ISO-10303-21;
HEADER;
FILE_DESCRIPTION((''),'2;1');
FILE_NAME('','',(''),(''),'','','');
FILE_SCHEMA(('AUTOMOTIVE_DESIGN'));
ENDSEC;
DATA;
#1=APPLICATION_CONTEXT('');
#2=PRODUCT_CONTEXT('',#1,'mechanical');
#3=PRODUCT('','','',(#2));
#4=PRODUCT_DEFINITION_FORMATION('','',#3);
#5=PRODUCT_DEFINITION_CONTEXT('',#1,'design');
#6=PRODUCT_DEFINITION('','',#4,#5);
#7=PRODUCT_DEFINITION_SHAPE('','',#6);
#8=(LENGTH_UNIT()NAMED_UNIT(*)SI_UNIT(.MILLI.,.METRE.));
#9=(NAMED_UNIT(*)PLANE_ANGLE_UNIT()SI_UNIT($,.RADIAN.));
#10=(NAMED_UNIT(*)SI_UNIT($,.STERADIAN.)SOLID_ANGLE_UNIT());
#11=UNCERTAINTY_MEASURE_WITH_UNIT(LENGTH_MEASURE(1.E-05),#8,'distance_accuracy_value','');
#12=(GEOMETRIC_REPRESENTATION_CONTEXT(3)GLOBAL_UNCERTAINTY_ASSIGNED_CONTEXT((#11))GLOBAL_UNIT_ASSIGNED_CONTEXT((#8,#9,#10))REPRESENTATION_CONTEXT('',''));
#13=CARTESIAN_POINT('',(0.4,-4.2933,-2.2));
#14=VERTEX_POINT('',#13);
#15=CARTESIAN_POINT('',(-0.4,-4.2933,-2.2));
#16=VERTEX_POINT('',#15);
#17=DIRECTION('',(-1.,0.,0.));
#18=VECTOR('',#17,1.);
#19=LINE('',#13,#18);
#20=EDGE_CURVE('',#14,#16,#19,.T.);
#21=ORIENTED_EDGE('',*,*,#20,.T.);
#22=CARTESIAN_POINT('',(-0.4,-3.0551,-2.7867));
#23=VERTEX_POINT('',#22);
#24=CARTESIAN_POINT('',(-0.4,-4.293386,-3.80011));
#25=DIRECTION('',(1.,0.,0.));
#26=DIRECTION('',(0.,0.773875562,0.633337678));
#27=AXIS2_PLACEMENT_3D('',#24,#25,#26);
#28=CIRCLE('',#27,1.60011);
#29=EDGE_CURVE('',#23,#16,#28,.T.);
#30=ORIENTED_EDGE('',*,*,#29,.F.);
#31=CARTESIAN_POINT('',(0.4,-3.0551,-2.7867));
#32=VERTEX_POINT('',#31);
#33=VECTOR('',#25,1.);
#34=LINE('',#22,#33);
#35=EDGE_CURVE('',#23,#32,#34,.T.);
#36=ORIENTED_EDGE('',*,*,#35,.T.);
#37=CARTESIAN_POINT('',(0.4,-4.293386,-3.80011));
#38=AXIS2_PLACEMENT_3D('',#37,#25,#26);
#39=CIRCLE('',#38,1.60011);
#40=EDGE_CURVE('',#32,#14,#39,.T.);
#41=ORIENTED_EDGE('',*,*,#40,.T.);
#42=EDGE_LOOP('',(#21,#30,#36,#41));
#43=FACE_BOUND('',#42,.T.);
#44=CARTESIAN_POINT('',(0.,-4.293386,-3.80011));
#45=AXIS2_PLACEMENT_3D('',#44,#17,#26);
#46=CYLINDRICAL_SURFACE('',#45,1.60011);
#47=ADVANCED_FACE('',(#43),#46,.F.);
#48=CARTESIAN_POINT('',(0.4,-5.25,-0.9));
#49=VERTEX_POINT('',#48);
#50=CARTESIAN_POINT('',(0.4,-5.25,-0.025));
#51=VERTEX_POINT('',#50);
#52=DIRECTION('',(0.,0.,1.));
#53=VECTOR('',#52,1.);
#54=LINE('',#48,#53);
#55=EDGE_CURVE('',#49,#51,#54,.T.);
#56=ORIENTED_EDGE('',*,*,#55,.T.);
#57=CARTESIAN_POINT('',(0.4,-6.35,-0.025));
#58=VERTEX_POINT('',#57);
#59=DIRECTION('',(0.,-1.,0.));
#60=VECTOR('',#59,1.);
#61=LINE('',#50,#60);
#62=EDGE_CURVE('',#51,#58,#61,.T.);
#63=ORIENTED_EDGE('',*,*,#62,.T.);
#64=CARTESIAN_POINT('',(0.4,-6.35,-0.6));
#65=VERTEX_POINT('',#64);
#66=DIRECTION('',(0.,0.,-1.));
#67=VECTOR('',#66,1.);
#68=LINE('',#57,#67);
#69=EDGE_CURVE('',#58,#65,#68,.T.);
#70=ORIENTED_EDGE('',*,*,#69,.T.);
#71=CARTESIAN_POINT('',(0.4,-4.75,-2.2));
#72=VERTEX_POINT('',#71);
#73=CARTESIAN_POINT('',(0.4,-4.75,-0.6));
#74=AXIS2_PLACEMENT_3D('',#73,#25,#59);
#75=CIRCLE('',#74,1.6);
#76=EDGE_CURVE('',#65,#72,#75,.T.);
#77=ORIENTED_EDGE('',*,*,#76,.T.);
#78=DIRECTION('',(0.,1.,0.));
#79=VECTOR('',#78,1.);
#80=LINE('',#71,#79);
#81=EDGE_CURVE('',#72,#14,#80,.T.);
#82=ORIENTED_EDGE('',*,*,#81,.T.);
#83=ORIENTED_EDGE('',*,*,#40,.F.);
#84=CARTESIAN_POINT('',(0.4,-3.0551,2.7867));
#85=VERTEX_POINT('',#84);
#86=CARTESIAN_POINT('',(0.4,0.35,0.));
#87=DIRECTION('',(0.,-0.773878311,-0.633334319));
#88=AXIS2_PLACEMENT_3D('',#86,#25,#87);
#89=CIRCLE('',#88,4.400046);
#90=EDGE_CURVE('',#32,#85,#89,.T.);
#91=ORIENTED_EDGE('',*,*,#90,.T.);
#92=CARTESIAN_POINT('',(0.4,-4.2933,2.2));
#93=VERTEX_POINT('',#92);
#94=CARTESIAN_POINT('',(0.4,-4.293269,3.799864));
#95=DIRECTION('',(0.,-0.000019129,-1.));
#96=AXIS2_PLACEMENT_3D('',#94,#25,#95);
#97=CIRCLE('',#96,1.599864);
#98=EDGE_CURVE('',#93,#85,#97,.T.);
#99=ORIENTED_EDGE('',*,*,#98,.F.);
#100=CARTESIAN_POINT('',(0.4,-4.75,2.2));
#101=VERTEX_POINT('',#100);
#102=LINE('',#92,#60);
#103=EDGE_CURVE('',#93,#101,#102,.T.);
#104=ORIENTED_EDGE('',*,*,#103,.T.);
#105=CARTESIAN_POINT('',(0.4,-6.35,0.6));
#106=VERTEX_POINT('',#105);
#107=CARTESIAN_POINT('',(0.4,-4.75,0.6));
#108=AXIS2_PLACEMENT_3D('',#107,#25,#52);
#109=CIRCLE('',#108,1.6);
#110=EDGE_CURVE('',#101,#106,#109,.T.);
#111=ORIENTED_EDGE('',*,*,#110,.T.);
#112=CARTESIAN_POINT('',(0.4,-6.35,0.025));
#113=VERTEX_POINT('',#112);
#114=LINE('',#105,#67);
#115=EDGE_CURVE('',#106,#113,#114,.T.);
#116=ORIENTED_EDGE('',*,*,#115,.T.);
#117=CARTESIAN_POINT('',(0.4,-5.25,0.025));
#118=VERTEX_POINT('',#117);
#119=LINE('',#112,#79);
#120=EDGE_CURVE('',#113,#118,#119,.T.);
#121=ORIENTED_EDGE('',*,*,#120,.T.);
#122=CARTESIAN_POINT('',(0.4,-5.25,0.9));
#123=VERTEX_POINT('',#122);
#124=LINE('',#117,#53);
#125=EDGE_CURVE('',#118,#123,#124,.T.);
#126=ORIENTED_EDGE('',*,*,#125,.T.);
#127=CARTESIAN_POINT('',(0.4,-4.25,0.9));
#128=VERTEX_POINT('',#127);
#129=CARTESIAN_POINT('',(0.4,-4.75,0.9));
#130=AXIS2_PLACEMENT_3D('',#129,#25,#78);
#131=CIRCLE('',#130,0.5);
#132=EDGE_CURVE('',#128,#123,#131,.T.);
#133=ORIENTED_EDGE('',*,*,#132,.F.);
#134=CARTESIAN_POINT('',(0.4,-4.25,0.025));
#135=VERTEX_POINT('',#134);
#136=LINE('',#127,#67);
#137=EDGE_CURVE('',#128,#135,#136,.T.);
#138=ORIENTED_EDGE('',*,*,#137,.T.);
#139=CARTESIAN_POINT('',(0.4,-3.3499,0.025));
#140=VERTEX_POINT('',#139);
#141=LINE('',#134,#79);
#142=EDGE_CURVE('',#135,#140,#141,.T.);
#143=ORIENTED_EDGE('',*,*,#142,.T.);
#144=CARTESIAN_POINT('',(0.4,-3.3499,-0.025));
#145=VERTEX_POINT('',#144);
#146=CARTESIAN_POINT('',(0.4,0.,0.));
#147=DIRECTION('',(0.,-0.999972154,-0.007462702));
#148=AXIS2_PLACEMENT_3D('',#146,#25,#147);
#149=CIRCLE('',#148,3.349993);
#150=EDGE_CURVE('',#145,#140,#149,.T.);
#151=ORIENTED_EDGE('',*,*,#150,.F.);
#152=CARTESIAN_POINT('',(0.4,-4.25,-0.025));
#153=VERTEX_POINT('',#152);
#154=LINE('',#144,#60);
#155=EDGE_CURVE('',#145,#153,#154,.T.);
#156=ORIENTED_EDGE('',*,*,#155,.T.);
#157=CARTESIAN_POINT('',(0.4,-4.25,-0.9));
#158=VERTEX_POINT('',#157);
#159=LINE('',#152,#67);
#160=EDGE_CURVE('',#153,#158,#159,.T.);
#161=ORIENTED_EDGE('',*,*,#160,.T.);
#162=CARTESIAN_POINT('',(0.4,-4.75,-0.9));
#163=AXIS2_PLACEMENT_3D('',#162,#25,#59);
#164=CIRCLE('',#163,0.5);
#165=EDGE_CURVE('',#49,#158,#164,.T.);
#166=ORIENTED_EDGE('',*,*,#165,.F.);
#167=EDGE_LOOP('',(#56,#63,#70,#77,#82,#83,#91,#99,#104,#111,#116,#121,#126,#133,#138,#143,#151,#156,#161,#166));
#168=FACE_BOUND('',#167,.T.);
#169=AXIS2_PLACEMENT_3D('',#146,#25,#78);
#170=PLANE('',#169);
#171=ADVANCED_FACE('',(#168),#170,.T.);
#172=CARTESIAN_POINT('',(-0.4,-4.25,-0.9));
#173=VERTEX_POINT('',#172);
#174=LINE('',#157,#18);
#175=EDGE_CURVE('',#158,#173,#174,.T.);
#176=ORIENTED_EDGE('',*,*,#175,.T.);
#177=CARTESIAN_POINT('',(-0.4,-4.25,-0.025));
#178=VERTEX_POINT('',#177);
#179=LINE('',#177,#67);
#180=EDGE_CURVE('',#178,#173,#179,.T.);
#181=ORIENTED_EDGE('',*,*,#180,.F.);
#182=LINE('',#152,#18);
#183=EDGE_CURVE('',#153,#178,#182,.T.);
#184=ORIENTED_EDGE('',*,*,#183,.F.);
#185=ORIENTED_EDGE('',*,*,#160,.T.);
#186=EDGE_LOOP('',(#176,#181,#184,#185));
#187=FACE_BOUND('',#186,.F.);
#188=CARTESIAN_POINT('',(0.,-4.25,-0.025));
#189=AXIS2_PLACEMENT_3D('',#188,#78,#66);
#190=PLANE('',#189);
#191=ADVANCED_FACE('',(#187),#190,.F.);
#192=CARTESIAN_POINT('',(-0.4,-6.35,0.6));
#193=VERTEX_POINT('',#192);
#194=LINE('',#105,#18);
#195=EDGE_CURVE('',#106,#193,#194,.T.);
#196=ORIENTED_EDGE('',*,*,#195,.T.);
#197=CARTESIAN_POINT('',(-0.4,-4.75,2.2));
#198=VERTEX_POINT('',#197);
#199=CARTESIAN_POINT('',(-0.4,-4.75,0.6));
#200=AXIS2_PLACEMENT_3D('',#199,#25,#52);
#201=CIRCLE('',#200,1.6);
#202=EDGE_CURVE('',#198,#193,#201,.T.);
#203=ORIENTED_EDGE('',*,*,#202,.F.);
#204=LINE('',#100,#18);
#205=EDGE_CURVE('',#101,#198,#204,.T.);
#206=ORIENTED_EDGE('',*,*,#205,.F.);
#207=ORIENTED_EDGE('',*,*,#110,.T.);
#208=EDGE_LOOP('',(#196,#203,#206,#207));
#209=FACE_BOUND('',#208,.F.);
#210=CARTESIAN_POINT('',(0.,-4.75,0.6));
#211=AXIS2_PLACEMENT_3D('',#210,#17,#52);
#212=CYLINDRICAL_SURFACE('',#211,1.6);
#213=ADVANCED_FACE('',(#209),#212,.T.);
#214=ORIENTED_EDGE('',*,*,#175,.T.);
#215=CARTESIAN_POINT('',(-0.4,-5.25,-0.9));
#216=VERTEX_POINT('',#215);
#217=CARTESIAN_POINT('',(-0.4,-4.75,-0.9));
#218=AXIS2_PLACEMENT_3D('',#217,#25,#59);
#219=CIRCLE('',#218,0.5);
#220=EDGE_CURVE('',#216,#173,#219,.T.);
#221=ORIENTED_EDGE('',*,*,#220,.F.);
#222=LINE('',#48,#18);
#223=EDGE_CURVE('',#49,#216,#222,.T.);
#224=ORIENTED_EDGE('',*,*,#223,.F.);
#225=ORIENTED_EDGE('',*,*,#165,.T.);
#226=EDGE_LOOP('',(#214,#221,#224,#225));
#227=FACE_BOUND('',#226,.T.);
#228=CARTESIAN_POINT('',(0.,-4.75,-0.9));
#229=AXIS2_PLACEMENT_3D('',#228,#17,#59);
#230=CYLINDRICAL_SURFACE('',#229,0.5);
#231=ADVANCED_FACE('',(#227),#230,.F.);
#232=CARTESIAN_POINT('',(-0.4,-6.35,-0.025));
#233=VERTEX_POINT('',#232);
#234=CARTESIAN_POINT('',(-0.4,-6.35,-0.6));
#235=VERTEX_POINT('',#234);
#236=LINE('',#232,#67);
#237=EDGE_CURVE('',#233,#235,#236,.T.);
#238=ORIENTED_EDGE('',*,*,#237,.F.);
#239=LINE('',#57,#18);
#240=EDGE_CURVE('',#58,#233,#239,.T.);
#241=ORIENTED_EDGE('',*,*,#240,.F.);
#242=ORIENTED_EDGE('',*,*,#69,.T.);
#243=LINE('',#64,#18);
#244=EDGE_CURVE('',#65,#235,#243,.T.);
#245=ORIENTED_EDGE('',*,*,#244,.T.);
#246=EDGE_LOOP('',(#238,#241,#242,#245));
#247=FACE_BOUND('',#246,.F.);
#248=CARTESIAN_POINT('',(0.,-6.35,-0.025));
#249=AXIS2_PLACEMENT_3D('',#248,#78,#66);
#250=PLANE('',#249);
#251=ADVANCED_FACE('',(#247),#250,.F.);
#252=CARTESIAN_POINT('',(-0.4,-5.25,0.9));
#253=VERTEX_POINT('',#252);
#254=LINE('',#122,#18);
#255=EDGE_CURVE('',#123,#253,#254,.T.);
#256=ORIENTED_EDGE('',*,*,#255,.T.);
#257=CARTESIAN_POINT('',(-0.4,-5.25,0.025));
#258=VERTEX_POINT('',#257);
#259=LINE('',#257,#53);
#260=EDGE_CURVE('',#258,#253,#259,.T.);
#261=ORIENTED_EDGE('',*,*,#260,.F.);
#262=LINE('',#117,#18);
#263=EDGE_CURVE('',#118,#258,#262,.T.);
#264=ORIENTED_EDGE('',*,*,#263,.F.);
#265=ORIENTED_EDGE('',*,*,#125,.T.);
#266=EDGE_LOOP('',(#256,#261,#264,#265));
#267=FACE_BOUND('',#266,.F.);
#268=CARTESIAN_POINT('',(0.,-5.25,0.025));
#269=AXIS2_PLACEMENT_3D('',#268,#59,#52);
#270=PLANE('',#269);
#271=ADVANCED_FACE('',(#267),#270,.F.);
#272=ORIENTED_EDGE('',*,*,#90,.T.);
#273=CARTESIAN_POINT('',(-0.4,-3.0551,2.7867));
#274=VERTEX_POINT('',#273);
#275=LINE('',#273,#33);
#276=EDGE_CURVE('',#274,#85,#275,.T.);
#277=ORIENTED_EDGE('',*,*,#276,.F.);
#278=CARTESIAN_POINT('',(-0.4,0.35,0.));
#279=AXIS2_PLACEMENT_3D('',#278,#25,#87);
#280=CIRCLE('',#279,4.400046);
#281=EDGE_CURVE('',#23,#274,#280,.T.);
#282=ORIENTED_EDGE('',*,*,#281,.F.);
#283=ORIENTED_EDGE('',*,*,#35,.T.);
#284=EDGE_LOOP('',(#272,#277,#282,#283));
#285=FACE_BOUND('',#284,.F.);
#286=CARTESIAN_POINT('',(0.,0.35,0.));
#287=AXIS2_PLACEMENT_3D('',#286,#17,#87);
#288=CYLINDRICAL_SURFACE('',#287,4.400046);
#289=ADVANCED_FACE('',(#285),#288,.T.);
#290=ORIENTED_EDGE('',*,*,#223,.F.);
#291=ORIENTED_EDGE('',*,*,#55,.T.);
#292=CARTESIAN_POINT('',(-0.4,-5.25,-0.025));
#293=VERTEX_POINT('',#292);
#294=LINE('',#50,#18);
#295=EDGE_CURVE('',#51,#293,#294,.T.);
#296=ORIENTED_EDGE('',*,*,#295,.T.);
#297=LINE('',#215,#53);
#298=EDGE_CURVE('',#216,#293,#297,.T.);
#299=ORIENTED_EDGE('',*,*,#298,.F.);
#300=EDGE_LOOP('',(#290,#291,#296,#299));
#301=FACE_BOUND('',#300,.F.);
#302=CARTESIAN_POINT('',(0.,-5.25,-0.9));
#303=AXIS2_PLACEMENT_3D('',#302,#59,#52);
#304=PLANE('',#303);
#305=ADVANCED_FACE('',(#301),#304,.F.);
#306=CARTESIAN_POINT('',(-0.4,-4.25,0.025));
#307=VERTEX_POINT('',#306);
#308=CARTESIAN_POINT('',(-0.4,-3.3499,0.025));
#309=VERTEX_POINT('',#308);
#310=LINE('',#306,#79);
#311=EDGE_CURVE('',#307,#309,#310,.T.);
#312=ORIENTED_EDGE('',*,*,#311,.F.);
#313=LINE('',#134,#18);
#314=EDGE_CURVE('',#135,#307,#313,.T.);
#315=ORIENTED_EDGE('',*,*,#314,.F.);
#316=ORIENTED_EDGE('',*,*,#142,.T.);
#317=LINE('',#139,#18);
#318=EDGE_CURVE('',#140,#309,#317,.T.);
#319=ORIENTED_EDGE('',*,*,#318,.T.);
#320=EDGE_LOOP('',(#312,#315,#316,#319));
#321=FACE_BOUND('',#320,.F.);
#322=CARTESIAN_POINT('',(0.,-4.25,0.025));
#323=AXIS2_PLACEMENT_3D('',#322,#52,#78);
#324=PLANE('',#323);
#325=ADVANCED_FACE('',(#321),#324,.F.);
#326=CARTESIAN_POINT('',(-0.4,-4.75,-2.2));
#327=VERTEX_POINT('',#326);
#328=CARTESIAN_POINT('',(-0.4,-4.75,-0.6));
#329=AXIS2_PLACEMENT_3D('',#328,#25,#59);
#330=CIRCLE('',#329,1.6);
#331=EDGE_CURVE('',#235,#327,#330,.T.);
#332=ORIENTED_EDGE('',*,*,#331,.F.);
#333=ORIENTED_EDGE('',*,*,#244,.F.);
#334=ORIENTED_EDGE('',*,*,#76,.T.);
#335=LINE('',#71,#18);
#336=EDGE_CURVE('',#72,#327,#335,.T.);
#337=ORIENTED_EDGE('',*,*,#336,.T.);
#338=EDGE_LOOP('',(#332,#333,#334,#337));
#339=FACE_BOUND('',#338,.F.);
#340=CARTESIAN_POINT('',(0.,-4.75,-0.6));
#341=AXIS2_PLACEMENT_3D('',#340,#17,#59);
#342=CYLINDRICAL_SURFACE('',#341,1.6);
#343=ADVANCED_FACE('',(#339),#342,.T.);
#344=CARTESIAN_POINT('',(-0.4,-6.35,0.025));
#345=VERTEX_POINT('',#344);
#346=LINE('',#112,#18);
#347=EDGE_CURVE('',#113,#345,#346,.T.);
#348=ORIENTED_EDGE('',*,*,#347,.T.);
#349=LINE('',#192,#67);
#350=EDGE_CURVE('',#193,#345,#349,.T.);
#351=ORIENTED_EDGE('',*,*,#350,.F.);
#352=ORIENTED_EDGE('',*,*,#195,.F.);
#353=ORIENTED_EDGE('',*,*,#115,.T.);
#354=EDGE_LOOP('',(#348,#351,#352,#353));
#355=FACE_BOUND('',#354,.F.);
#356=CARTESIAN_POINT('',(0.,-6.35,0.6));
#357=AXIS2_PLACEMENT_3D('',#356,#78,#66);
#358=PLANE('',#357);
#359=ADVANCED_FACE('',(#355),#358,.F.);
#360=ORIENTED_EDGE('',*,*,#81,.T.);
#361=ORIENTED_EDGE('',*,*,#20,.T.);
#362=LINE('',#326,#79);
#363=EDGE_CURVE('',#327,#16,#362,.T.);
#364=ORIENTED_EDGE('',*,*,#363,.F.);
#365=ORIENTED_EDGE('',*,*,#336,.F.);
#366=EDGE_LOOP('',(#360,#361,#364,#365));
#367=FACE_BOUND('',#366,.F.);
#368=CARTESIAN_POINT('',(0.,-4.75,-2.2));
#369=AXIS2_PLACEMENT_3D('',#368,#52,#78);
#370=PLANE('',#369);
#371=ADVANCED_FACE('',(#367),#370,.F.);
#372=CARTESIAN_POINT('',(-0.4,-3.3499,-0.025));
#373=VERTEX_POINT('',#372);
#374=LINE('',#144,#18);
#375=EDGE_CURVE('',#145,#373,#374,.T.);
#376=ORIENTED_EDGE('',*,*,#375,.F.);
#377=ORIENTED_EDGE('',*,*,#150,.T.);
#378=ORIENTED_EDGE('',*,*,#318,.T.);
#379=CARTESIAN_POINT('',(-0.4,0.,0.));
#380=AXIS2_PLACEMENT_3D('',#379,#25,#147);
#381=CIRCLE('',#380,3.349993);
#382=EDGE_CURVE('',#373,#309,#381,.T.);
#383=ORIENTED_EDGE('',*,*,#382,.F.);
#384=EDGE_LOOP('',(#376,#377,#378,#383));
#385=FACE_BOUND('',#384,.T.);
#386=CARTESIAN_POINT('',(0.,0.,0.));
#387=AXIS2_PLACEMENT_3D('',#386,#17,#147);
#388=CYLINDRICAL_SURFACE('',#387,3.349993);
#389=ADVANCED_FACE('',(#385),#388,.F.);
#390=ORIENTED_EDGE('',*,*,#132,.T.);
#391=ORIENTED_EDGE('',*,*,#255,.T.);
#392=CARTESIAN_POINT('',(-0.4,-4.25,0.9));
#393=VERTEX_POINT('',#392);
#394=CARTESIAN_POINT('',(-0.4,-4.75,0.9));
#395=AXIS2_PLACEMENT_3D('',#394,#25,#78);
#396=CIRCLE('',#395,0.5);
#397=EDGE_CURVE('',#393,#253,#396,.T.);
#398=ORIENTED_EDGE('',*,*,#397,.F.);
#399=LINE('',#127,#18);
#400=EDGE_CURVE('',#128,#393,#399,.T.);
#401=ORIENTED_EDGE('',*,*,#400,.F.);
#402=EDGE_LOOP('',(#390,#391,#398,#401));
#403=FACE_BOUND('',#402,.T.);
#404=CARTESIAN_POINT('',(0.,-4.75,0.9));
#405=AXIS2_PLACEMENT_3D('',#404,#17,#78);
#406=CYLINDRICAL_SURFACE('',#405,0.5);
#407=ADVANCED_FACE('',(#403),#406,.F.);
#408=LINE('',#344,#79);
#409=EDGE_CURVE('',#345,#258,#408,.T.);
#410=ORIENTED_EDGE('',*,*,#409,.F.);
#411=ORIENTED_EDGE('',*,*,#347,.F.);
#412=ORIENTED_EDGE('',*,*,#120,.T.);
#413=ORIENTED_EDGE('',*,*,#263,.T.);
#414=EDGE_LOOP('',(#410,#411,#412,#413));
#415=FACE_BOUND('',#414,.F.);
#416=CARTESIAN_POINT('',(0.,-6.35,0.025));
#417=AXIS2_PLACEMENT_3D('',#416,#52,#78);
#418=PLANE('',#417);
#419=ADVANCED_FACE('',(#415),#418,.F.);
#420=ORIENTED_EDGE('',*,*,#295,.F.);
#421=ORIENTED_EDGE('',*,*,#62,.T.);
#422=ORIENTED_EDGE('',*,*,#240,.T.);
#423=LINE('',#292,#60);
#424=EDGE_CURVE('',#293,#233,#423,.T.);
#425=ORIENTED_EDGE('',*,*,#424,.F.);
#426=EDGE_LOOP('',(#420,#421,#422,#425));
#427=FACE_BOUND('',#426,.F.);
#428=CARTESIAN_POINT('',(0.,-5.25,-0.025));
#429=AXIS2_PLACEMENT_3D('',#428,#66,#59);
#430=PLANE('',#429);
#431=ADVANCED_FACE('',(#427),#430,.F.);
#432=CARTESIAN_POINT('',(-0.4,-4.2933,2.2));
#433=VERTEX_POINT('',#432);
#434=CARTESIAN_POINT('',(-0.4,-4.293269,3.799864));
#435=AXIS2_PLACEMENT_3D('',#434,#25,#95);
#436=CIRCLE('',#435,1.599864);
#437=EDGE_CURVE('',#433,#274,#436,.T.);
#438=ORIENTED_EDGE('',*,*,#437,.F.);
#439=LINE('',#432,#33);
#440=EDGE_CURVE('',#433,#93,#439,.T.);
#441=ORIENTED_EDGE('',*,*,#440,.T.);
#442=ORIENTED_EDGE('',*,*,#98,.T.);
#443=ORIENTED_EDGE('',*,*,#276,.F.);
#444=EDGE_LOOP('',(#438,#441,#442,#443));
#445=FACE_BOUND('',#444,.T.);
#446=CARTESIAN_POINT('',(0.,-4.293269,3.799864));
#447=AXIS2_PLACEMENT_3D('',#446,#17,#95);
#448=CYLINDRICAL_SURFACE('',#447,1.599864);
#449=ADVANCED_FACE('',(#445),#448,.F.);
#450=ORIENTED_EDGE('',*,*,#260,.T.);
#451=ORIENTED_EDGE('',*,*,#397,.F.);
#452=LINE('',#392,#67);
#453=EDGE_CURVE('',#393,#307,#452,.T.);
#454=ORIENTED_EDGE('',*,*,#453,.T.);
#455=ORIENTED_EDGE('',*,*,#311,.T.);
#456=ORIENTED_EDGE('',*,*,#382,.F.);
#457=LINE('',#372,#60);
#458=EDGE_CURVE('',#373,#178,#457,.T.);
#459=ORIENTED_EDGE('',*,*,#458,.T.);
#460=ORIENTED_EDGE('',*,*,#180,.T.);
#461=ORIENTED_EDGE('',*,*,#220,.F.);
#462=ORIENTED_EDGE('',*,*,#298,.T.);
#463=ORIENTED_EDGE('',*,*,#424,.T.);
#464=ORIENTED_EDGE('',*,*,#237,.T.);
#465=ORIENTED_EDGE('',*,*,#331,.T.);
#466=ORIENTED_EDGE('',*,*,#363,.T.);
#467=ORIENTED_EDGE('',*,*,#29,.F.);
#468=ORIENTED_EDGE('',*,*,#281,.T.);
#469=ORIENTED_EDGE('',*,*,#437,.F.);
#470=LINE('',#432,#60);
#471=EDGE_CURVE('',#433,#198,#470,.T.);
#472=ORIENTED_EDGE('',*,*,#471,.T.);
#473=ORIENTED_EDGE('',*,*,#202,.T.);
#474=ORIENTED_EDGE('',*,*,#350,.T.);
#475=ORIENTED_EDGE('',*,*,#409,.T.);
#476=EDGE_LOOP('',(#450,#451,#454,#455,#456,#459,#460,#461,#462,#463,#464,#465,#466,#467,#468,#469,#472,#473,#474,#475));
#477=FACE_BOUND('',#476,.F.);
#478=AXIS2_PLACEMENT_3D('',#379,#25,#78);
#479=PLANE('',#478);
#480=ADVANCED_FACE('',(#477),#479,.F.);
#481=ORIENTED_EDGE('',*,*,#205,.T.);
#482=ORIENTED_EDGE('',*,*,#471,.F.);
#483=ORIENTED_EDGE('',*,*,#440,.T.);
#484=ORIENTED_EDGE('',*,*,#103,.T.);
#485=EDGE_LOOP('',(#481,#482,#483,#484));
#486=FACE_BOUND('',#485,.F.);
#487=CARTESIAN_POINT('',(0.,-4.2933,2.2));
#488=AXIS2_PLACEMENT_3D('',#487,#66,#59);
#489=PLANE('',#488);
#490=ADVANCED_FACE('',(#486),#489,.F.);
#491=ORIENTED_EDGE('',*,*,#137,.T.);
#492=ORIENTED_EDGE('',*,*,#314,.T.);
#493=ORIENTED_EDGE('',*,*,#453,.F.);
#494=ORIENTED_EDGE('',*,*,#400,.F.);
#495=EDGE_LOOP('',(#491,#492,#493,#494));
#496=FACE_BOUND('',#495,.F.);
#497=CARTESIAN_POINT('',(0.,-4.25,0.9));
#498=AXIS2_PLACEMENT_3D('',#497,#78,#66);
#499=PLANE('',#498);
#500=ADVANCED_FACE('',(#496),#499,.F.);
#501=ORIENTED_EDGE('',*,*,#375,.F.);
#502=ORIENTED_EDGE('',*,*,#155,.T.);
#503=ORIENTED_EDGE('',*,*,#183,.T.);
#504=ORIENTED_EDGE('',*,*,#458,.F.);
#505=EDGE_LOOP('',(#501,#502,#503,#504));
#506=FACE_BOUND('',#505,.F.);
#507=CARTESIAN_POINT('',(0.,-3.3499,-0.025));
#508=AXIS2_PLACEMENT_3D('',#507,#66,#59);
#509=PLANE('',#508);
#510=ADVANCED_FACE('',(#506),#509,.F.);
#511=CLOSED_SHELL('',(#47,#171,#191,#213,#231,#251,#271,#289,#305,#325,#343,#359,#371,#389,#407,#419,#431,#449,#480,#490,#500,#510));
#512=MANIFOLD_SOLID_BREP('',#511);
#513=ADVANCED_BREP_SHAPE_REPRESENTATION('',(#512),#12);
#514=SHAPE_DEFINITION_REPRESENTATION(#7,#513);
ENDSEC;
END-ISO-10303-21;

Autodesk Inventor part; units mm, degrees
sketch "Sketch_5" plane through (0, 0, 0) normal (1, 0, 0) x (0, 1, 0)
  arc A0 (-3.0551, -2.7867) -> (-3.0551, 2.7867) centre (0.35, 0) ccw
  arc A1 (-4.2933, 2.2) -> (-3.0551, 2.7867) centre (-4.2933, 3.8) ccw
  line L0 (-4.2933, 2.2) -> (-4.75, 2.2)
  arc A2 (-4.75, 2.2) -> (-6.35, 0.6) centre (-4.75, 0.6) ccw
  line L1 (-6.35, 0.6) -> (-6.35, 0.025)
  line L2 (-6.35, 0.025) -> (-5.25, 0.025)
  line L3 (-5.25, 0.025) -> (-5.25, 0.9)
  arc A3 (-4.25, 0.9) -> (-5.25, 0.9) centre (-4.75, 0.9) ccw
  line L4 (-4.25, 0.9) -> (-4.25, 0.025)
  line L5 (-4.25, 0.025) -> (-3.3499, 0.025)
  arc A4 (-3.3499, -0.025) -> (-3.3499, 0.025) centre (0, 0) ccw
  line L6 (-3.3499, -0.025) -> (-4.25, -0.025)
  line L7 (-4.25, -0.025) -> (-4.25, -0.9)
  arc A5 (-5.25, -0.9) -> (-4.25, -0.9) centre (-4.75, -0.9) ccw
  line L8 (-5.25, -0.9) -> (-5.25, -0.025)
  line L9 (-5.25, -0.025) -> (-6.35, -0.025)
  line L10 (-6.35, -0.025) -> (-6.35, -0.6)
  arc A6 (-6.35, -0.6) -> (-4.75, -2.2) centre (-4.75, -0.6) ccw
  line L11 (-4.75, -2.2) -> (-4.2933, -2.2)
  arc A7 (-3.0551, -2.7867) -> (-4.2933, -2.2) centre (-4.2933, -3.8) ccw
extrude "Extrusion1" add sketch "Sketch_5" along normal mid plane 0.8
ref_plane "1_XY" through (0, 0, 0) normal (1, 0, 0) x (0, 0, -1)
ref_plane "1_YZ" through (0, 0, 0) normal (0, 0, -1) x (0, 1, 0)
ref_plane "1_ZX" through (0, 0, 0) normal (0, 1, 0) x (1, 0, 0)
ref_plane "combination_module_XY" through (0.4, 0, 0) normal (1, 0, 0) x (0, 0, -1)
ref_plane "combination_module_YZ" through (0.4, 0, 0) normal (0, 0, -1) x (0, 1, 0)
ref_plane "combination_module_ZX" through (0.4, 0, 0) normal (0, 1, 0) x (1, 0, 0)
properties part number "STWN7" material "Steel"
